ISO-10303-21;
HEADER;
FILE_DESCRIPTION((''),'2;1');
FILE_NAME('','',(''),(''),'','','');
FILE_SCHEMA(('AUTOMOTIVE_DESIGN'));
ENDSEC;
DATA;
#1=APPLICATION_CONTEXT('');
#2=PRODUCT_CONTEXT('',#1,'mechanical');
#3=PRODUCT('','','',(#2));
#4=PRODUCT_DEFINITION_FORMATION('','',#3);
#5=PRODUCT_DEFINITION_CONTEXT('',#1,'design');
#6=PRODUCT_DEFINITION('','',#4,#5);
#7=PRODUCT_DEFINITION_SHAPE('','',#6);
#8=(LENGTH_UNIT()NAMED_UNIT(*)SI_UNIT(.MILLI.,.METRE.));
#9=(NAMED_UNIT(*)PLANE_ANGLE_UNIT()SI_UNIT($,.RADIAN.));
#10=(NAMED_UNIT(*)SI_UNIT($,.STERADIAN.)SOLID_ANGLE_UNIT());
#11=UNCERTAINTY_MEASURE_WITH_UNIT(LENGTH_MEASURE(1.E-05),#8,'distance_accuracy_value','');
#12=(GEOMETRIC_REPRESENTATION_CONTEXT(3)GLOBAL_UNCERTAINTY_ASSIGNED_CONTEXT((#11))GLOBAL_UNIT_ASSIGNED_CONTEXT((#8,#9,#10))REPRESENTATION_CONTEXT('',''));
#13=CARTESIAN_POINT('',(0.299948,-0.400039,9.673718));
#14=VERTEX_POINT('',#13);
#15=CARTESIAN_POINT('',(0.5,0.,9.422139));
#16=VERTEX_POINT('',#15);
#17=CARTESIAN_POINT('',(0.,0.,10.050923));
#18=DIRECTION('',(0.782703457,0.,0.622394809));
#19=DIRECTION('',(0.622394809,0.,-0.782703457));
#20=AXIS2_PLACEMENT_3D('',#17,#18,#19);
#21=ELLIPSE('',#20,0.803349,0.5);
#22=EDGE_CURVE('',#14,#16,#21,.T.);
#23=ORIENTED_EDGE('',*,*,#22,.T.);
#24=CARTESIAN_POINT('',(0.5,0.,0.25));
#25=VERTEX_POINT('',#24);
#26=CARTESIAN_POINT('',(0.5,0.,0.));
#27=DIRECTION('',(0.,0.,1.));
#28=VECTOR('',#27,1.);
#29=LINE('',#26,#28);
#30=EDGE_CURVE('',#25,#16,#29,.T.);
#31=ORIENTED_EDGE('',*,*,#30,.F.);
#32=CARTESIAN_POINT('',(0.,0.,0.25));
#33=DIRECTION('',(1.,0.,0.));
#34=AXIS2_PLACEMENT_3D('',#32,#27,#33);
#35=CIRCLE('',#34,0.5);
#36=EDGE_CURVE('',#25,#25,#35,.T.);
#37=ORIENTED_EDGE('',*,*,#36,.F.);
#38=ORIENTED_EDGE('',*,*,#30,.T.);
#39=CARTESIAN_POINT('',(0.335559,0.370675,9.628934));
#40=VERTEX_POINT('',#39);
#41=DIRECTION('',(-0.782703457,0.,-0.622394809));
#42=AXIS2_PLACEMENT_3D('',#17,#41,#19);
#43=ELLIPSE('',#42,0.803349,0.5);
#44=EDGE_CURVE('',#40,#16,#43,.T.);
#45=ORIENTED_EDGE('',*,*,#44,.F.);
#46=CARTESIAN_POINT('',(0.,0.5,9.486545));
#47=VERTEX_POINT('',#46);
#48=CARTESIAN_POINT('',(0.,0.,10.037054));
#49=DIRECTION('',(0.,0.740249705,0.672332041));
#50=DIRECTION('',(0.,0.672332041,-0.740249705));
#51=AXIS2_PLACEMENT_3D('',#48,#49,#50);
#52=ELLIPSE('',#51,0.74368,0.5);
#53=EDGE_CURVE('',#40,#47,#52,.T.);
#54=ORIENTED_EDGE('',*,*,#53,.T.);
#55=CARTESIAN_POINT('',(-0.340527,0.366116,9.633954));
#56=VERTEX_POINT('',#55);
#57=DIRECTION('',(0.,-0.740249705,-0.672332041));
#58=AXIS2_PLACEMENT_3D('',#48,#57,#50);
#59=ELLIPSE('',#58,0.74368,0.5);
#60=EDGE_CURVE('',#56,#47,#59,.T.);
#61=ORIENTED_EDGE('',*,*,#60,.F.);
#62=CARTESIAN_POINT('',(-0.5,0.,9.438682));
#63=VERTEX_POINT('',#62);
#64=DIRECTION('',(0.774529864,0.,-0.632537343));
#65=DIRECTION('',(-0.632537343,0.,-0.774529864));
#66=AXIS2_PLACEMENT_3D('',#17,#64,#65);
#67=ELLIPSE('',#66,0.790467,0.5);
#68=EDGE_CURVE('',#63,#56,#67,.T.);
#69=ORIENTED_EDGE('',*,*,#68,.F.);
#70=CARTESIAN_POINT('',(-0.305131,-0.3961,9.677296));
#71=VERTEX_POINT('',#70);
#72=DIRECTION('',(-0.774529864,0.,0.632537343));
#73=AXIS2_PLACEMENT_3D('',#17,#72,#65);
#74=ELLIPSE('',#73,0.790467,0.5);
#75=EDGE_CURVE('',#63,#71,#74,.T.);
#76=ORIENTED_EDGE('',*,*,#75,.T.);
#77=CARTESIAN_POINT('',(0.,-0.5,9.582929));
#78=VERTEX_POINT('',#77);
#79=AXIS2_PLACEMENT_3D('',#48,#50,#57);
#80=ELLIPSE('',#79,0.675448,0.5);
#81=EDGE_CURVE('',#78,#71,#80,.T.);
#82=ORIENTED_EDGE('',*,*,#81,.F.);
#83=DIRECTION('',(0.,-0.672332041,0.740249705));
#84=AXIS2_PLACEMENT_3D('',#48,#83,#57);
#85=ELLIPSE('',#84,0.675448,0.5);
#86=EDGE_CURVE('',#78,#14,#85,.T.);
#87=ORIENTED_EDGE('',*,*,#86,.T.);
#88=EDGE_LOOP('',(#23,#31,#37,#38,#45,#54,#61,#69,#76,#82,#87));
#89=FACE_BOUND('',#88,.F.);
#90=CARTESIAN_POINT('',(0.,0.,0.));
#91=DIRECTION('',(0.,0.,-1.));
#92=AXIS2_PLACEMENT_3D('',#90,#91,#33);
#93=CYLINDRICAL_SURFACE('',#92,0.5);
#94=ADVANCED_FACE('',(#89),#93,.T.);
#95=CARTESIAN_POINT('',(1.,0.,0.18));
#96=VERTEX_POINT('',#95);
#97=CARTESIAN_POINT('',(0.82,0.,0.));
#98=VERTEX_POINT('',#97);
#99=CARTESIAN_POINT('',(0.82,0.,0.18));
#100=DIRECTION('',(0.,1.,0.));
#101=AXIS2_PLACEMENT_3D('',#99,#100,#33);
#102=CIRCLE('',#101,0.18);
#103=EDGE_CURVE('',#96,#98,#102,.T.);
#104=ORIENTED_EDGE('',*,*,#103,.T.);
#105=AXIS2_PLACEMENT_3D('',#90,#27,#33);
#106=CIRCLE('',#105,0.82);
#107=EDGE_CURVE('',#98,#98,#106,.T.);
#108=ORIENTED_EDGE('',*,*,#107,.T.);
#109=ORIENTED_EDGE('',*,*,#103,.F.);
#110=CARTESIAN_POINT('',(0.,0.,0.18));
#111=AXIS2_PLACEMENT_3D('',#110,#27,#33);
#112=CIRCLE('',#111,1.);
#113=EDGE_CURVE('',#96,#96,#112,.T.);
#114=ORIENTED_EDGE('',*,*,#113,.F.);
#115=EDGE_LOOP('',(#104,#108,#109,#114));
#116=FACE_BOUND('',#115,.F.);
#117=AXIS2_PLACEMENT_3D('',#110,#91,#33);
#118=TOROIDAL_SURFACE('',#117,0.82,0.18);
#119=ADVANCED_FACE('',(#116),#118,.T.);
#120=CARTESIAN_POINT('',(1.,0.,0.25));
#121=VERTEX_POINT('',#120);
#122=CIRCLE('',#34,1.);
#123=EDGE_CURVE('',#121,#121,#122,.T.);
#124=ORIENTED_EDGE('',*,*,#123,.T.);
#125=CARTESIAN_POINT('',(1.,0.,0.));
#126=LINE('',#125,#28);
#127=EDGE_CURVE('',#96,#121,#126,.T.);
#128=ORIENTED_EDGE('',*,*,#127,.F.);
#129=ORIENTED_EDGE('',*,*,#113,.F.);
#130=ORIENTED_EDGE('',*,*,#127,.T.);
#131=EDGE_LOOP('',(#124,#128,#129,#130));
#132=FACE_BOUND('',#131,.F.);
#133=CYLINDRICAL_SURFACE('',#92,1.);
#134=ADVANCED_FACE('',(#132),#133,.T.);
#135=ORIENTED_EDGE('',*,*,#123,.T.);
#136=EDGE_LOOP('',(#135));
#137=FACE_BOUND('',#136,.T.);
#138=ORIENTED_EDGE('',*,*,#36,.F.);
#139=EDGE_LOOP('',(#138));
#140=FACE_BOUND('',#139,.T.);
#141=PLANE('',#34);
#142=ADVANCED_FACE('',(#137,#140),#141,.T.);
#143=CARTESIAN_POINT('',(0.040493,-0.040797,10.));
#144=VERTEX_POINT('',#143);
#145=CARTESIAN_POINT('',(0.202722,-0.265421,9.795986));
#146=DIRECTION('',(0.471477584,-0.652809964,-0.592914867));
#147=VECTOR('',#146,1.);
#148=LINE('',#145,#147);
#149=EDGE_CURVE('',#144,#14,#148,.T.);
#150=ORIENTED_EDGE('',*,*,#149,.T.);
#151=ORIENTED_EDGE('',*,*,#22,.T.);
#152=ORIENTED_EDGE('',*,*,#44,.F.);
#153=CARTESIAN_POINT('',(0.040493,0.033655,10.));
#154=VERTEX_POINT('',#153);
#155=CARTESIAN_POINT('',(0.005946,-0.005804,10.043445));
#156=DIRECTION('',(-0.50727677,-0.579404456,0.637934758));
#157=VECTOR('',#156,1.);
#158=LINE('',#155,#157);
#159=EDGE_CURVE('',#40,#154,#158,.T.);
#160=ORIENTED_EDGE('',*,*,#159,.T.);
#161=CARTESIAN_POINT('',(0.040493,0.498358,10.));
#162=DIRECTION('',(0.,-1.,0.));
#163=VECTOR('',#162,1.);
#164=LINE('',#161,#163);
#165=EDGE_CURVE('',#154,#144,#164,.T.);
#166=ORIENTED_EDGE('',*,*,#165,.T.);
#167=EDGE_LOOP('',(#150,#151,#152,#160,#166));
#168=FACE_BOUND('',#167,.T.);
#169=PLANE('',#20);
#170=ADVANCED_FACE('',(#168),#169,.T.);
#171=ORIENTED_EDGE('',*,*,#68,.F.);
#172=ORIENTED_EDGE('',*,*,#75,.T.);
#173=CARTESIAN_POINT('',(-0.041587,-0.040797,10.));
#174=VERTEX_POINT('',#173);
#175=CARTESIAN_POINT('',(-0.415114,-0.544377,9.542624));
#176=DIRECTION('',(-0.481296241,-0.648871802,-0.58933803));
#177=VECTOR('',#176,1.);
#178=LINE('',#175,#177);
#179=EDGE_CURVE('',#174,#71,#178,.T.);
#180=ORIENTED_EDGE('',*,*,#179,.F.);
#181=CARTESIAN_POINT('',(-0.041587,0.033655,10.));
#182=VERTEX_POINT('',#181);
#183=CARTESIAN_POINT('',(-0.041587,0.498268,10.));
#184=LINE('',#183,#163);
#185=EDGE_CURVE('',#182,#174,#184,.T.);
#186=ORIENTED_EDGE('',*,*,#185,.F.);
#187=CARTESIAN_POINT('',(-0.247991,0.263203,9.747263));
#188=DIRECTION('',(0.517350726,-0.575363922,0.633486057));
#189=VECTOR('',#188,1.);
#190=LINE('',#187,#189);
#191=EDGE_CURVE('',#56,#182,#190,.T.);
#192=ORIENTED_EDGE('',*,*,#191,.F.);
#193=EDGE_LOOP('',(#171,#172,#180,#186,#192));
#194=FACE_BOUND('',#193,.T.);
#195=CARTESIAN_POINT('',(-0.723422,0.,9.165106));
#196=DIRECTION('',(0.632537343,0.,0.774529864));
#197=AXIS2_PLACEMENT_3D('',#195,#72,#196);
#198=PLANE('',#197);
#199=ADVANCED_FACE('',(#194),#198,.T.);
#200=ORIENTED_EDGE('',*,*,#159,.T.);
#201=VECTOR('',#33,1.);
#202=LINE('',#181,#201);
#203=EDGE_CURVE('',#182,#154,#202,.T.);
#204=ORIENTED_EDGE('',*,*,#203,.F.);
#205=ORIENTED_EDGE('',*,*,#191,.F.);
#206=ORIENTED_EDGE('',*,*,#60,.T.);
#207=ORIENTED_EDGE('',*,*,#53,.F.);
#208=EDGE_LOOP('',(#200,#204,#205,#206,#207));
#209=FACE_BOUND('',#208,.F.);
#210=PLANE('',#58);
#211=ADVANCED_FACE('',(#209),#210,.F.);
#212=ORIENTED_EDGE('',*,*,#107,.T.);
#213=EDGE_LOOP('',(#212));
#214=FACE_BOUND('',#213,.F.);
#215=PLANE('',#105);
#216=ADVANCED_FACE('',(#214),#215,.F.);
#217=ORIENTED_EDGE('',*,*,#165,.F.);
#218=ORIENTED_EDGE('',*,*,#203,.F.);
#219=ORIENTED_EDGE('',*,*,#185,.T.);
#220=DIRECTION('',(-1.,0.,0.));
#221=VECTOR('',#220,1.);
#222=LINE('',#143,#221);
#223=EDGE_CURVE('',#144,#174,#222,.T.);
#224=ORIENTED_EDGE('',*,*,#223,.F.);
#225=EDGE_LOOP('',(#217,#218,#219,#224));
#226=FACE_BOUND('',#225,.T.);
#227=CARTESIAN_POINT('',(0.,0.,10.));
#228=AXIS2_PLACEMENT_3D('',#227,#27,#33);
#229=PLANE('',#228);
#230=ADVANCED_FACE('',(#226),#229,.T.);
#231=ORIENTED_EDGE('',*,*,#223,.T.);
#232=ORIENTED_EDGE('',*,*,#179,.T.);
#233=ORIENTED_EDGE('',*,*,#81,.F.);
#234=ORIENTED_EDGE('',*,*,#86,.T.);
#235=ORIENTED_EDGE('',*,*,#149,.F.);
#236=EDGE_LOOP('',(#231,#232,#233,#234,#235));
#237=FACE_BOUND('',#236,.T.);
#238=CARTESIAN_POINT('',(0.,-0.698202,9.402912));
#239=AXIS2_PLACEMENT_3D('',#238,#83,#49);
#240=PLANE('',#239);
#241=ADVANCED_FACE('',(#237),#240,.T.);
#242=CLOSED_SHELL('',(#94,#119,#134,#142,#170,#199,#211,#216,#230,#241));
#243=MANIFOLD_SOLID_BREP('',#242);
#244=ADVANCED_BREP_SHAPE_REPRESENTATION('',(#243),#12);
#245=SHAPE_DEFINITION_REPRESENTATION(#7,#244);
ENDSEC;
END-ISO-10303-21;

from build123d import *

# Parameters (mm, degrees)
F0_R          = 0.5
F1_DEPTH      = 10
F0_R_2        = 1
F2_DEPTH      = 0.25
F3_R          = 0.18
F5_DEPTH      = 50
F5_DEPTH_BACK = 2.6
F7_DEPTH      = 50
F7_DEPTH_BACK = 2.875


with BuildPart() as f1:
    # F0 (on Top) → F1 (new body)
    with BuildSketch(Plane.XY):
        Circle(F0_R)
    extrude(amount=F1_DEPTH)

    # F0 (on Top) → F2 (join)
    with BuildSketch(Plane.XY):
        Circle(F0_R_2)
        Circle(F0_R, mode=Mode.SUBTRACT)
    extrude(amount=F2_DEPTH)

    # F3
    f3_edges = [f1.edges().sort_by_distance(p)[0] for p in [
        (-1, 0, 0),
    ]]
    fillet(f3_edges, radius=F3_R)

    # F4 (on Front) → F5 (cut, two sides)
    with BuildSketch(Plane.XZ) as f5_sk:
        Polygon((-1.5745003475, 9.1303680092), (-0.7234219229, 9.1651063412), (0, 10.0509226322), (0.7182004047, 9.1477371752), (1.9166575512, 9.1477371752), (1.9166575512, 11.2493792549), (-1.5745003475, 11.2493792549), align=None)
    extrude(amount=-F5_DEPTH, mode=Mode.SUBTRACT)
    extrude(f5_sk.sketch, amount=F5_DEPTH_BACK, mode=Mode.SUBTRACT)

    # F6 (on Right) → F7 (cut, two sides)
    with BuildSketch(Plane.YZ) as f7_sk:
        Polygon((-1.6177080106, 9.4557581469), (-0.6982019986, 9.4029121101), (0, 10.0370543078), (0.6177483219, 9.3569022621), (1.5635710442, 9.3569022621), (1.5635710442, 11.0094053671), (-1.6177080106, 11.0094053671), align=None)
    extrude(amount=-F7_DEPTH, mode=Mode.SUBTRACT)
    extrude(f7_sk.sketch, amount=F7_DEPTH_BACK, mode=Mode.SUBTRACT)


solid = f1.part
